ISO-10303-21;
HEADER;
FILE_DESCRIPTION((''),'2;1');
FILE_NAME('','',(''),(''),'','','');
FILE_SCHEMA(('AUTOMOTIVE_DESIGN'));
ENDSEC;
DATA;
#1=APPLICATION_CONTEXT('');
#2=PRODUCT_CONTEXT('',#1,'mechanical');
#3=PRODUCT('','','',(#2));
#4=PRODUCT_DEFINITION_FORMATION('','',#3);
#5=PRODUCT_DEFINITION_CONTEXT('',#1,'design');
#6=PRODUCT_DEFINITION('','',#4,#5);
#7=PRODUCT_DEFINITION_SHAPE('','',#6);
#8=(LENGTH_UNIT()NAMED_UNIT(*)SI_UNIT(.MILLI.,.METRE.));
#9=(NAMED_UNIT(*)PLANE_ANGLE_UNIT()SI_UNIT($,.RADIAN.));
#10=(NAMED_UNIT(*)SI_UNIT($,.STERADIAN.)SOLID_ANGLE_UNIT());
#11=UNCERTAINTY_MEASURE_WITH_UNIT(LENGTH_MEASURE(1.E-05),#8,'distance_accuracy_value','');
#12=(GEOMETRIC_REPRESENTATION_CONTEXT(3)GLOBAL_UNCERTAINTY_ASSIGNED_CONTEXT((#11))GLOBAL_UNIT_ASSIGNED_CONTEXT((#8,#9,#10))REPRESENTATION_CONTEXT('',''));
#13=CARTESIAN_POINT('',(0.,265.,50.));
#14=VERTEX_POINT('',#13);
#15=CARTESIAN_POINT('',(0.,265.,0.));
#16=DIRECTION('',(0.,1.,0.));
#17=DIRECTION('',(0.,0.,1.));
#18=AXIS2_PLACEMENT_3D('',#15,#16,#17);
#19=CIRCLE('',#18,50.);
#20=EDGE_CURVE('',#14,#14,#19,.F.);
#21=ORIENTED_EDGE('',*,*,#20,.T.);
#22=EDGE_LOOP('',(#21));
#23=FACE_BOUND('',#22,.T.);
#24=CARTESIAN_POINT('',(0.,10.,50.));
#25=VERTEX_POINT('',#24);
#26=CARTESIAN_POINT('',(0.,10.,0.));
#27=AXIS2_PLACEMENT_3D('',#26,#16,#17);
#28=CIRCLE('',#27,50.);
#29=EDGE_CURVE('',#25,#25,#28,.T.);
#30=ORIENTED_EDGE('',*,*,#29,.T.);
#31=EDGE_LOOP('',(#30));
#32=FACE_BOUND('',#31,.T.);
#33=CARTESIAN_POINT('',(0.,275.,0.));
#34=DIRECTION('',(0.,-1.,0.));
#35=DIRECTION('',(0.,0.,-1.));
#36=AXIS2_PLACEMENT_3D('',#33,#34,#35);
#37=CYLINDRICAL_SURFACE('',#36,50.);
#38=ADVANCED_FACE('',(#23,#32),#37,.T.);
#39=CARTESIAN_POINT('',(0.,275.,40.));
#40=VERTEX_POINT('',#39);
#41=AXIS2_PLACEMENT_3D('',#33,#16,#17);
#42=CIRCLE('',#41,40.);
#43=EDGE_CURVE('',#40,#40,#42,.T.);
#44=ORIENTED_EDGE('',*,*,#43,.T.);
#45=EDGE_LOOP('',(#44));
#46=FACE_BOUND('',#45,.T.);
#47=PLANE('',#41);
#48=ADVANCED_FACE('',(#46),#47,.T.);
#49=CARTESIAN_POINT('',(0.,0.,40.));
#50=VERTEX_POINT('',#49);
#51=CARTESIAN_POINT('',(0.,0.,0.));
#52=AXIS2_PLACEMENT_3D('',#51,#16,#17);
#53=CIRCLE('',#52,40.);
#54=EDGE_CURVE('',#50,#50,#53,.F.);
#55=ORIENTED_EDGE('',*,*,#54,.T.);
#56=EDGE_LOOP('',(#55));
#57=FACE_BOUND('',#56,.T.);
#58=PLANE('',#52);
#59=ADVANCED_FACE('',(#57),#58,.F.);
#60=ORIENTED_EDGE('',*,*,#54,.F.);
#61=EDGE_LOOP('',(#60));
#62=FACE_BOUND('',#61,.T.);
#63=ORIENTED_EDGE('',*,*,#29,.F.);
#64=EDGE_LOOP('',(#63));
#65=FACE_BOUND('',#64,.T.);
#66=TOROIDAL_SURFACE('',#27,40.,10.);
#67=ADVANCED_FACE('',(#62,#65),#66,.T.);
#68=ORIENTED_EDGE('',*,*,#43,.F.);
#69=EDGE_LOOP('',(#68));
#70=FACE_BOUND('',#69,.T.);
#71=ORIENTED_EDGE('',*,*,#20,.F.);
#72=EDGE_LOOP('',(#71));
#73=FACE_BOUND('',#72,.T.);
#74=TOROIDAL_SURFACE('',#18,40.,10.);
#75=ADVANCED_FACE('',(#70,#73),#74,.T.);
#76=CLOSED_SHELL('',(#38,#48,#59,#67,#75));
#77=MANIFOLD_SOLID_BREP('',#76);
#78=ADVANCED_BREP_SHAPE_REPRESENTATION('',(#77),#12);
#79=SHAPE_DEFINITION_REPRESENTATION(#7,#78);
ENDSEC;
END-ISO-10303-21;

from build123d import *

# Parameters (mm, degrees)
SKETCH1_R           = 50
BOSS_EXTRUDE1_DEPTH = 275
FILLET1_R           = 10


with BuildPart() as part:
    # Sketch1 → Boss-Extrude1 (new body)
    with BuildSketch(Plane(origin=(0, 0, 0), x_dir=(1, 0, 0), z_dir=(0, 1, 0))):
        Circle(SKETCH1_R)
    extrude(amount=BOSS_EXTRUDE1_DEPTH)

    # Fillet1
    fillet1_edges = [part.edges().sort_by_distance(p)[0] for p in [
        (-50, 0, 0),
        (-50, 275, 0),
    ]]
    fillet(fillet1_edges, radius=FILLET1_R)


solid = part.part
